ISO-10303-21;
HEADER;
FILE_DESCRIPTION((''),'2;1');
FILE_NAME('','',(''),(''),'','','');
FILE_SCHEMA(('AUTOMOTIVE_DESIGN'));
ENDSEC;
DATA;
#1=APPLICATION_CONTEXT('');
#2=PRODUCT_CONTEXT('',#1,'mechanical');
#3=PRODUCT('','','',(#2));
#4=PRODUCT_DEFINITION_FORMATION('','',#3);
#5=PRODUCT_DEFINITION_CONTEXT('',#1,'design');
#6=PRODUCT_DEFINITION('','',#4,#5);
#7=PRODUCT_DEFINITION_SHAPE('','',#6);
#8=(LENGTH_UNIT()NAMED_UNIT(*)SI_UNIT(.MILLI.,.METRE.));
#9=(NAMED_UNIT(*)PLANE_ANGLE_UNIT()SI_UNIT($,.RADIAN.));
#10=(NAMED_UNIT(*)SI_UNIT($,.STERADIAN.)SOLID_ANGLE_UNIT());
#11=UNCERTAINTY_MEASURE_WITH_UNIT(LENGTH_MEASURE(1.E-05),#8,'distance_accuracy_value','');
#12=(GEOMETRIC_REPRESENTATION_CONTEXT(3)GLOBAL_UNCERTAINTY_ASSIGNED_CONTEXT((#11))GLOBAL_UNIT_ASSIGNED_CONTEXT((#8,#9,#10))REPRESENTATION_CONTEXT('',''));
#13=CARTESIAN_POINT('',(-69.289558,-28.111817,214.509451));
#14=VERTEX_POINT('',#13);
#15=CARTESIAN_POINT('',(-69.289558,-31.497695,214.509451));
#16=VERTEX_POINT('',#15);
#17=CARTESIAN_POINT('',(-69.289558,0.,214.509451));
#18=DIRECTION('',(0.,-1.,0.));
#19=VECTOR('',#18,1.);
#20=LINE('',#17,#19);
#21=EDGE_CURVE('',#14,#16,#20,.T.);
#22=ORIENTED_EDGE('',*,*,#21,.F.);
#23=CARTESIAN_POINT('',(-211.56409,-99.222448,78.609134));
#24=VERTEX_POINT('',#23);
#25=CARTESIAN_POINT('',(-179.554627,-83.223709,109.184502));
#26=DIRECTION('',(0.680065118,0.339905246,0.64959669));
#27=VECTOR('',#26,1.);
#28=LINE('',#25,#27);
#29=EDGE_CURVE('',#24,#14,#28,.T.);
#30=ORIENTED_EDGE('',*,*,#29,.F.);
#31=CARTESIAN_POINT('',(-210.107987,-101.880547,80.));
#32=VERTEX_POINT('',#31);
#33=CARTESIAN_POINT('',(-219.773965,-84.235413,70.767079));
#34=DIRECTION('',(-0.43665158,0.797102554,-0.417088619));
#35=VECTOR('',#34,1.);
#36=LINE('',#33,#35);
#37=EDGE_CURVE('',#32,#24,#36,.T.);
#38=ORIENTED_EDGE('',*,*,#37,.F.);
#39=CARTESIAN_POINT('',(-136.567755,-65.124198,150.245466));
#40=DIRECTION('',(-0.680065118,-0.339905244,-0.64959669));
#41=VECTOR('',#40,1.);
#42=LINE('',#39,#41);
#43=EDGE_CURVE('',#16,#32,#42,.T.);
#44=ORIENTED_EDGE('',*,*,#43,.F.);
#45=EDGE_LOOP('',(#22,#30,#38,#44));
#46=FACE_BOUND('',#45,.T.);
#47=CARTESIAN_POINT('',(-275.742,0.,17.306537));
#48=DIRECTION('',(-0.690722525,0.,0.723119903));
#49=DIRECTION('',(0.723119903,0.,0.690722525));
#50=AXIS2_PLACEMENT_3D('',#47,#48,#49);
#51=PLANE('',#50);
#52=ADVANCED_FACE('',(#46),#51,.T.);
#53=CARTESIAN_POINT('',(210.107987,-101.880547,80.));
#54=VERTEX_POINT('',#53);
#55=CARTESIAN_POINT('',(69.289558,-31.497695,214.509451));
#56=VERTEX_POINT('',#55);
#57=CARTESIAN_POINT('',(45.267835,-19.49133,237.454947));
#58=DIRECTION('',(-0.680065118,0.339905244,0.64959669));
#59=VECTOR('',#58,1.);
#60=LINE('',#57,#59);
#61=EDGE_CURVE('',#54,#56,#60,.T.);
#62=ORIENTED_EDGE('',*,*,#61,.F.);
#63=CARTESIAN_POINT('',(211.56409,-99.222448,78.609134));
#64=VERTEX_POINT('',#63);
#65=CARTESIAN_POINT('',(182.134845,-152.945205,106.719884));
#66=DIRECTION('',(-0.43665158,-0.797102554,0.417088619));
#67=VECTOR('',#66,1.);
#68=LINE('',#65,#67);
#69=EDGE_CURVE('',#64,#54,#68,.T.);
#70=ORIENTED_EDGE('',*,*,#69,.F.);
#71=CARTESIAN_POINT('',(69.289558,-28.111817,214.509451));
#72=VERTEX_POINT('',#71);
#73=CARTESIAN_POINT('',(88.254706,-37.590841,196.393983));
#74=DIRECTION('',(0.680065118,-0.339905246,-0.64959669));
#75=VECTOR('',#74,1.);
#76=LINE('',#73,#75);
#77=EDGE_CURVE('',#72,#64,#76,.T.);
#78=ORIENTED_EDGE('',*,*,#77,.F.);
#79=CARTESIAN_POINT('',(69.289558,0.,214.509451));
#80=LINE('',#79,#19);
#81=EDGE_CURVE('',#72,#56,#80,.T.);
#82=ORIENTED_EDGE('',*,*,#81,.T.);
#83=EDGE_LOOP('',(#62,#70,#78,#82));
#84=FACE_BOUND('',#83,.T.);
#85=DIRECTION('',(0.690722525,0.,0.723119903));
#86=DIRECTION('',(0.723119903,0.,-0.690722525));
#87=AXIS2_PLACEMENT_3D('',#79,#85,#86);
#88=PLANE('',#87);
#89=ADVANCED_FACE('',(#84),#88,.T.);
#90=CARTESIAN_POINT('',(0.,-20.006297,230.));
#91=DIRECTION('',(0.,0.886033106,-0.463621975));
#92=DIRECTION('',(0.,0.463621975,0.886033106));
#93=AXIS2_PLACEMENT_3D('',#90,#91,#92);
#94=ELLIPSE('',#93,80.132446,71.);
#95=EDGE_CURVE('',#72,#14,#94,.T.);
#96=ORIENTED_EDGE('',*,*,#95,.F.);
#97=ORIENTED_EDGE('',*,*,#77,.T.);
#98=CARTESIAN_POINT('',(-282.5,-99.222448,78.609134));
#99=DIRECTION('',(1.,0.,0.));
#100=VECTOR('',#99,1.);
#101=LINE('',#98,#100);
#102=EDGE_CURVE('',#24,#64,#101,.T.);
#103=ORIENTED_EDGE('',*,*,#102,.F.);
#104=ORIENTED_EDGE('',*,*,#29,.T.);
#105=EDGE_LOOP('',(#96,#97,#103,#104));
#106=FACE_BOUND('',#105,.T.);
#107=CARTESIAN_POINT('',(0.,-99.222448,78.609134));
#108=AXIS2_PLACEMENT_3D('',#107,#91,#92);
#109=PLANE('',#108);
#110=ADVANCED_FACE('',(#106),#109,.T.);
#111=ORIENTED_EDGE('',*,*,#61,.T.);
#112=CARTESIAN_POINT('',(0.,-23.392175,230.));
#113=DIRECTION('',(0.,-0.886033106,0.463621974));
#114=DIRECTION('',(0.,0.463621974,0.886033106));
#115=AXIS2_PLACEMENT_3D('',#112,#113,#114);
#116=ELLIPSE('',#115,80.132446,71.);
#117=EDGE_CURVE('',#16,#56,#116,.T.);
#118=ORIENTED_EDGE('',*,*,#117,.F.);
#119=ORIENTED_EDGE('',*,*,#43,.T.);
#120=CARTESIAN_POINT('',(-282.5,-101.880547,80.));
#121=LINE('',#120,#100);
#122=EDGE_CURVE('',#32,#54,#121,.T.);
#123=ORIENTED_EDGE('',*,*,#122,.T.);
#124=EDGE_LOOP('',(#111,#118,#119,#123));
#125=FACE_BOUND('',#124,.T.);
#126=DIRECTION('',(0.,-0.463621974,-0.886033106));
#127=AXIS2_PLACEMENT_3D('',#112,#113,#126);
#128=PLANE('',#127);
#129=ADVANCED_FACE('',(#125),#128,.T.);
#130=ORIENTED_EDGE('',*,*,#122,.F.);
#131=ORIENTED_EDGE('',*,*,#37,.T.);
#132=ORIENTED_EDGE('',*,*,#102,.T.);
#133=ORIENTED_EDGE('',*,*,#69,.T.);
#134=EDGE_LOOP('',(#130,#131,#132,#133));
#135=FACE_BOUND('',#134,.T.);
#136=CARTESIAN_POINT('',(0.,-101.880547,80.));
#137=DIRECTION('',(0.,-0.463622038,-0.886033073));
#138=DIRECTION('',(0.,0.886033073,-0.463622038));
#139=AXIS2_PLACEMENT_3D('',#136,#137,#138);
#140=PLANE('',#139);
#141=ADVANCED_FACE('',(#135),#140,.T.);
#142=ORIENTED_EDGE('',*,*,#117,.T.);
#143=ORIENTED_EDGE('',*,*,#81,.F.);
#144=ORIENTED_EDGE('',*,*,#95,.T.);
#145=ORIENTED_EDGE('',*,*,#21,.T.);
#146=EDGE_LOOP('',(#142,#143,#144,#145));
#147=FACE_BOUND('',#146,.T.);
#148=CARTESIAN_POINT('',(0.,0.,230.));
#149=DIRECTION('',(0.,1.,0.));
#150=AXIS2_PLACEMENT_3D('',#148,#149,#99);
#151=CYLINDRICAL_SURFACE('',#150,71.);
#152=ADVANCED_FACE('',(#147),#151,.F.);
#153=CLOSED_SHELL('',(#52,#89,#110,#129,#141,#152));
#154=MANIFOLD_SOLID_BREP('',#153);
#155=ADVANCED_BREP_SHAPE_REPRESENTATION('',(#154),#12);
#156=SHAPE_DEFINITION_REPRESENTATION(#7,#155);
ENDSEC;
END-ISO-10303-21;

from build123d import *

# Parameters (mm, degrees)
F1_DEPTH = 282.5
F2_R     = 71
F3_DEPTH = 101.881547
F5_DEPTH = 101.881547


with BuildPart() as f1:
    # F0 (on Right) → F1 (new body, symmetric)
    with BuildSketch(Plane.YZ):
        Polygon((-23.392175, 230), (-101.880547, 80), (-99.222448, 78.609134), (-20.006297, 230), align=None)
    extrude(amount=F1_DEPTH, both=True)

    # F2 (on Front) → F3 (cut, through all)
    with BuildSketch(Plane.XZ):
        with Locations((0, 230)):
            Circle(F2_R)
    extrude(amount=F3_DEPTH, mode=Mode.SUBTRACT)

    # F4 (on Front) → F5 (cut, through all)
    with BuildSketch(Plane.XZ):
        Polygon((408.706428, 306.349989), (69.978568, 306.349989), (69.289558, 306.349989), (69.289558, 271.222025), (69.289558, 214.509451), (275.742, 17.306537), (275.742, 0), (282.5, 0), (408.706428, 0), align=None)
        Polygon((-69.289558, 271.222025), (-69.289558, 306.349989), (-69.978568, 306.349989), (-408.706428, 306.349989), (-408.706428, 0), (-282.5, 0), (-275.742, 0), (-275.742, 17.306537), (-69.289558, 214.509451), align=None)
    extrude(amount=F5_DEPTH, mode=Mode.SUBTRACT)


solid = f1.part
